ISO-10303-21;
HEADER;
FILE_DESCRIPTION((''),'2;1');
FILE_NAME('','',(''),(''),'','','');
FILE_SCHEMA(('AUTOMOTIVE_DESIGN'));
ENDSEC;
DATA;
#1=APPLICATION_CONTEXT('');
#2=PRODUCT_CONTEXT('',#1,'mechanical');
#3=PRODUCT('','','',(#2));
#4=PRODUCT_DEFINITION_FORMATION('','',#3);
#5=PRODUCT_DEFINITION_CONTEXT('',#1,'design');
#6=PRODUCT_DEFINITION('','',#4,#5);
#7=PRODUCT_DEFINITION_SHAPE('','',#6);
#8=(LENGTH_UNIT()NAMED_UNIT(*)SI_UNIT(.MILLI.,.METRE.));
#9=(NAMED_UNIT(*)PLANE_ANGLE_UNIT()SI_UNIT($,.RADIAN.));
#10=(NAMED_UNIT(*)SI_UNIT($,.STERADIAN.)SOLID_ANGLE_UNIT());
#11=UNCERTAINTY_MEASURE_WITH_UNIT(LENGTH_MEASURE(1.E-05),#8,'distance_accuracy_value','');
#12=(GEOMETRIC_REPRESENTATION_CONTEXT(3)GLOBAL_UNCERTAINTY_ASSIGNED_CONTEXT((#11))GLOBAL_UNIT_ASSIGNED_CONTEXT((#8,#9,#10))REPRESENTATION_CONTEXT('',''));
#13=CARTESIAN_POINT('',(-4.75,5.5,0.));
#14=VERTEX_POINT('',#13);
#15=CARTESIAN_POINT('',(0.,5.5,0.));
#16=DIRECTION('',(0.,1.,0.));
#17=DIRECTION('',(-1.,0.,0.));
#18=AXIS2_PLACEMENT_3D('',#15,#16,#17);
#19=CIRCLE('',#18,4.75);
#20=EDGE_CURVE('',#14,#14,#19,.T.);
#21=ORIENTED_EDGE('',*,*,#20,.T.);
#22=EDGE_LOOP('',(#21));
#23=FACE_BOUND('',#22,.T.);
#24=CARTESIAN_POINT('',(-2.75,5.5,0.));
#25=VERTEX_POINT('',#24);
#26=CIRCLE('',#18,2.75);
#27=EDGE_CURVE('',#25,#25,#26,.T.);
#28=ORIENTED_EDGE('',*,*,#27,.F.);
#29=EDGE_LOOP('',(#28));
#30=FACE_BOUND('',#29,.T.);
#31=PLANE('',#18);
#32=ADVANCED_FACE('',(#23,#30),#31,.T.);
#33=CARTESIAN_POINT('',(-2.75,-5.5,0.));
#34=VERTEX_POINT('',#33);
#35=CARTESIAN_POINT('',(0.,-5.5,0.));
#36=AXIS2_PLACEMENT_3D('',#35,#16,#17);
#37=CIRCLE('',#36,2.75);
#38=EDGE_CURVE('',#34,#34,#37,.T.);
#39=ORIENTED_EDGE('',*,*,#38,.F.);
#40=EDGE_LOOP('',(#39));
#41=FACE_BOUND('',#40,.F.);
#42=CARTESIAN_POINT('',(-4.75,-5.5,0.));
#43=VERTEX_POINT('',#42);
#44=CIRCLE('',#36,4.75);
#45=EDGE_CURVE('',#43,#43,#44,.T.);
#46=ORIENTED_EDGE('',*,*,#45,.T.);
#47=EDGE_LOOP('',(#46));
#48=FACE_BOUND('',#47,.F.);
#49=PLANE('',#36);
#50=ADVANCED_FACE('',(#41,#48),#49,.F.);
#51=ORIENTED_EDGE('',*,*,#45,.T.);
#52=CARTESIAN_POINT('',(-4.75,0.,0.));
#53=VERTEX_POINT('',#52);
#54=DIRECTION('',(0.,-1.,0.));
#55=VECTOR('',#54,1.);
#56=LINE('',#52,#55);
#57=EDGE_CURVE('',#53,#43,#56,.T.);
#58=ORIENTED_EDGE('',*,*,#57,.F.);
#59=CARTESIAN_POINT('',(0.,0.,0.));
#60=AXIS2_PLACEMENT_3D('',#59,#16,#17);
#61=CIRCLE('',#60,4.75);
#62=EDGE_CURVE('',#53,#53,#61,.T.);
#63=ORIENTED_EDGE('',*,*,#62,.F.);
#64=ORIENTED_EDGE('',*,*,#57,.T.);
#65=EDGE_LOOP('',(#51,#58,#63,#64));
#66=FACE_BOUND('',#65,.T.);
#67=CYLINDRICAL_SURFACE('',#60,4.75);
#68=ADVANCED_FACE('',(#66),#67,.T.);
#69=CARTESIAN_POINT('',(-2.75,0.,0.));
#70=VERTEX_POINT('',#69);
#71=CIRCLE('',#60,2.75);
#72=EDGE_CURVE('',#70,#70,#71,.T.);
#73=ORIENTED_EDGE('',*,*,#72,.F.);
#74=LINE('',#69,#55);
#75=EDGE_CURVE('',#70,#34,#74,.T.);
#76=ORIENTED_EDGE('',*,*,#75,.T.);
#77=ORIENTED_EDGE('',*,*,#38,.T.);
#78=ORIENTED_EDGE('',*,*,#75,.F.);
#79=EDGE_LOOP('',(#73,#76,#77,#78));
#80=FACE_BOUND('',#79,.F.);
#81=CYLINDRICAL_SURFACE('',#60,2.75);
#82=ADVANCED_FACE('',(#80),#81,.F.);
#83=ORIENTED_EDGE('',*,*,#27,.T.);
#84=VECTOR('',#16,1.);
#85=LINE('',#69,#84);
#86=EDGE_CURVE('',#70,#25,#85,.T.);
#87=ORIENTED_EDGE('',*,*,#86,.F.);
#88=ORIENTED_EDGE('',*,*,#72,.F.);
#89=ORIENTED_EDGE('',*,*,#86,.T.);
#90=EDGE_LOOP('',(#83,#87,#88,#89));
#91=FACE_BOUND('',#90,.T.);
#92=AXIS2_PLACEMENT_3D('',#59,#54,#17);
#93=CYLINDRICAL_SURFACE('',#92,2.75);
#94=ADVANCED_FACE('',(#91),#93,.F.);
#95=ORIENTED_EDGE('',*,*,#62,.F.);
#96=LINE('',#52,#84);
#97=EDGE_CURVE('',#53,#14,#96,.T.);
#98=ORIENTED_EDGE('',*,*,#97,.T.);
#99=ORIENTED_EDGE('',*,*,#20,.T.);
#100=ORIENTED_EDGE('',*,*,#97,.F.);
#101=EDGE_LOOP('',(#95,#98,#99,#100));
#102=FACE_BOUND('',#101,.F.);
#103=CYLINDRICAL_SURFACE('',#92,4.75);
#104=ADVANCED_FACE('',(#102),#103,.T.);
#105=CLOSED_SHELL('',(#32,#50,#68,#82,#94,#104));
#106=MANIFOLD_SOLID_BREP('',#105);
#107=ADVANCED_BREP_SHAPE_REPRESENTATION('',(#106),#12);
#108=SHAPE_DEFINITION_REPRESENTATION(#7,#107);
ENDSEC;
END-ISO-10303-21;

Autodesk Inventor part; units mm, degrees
ref_plane "YZ Plane" through (0, 0, 0) normal (1, 0, 0) x (0, 1, 0)
ref_plane "XZ Plane" through (0, 0, 0) normal (0, 1, 0) x (-1, 0, 0)
ref_plane "XY Plane" through (0, 0, 0) normal (0, 0, 1) x (1, 0, 0)
sketch "Sketch1" plane through (0, 0, 0) normal (0, 1, 0) x (-1, 0, 0)
  circle A0 centre (0, 0) radius 2.75
  circle A1 centre (0, 0) radius 4.75
  dimension "d0" = 5.5
  dimension "d1" = 2
extrude "Extrusion1" add sketch "Sketch1" along normal mid plane 11
properties part number "wheel_spacer"
